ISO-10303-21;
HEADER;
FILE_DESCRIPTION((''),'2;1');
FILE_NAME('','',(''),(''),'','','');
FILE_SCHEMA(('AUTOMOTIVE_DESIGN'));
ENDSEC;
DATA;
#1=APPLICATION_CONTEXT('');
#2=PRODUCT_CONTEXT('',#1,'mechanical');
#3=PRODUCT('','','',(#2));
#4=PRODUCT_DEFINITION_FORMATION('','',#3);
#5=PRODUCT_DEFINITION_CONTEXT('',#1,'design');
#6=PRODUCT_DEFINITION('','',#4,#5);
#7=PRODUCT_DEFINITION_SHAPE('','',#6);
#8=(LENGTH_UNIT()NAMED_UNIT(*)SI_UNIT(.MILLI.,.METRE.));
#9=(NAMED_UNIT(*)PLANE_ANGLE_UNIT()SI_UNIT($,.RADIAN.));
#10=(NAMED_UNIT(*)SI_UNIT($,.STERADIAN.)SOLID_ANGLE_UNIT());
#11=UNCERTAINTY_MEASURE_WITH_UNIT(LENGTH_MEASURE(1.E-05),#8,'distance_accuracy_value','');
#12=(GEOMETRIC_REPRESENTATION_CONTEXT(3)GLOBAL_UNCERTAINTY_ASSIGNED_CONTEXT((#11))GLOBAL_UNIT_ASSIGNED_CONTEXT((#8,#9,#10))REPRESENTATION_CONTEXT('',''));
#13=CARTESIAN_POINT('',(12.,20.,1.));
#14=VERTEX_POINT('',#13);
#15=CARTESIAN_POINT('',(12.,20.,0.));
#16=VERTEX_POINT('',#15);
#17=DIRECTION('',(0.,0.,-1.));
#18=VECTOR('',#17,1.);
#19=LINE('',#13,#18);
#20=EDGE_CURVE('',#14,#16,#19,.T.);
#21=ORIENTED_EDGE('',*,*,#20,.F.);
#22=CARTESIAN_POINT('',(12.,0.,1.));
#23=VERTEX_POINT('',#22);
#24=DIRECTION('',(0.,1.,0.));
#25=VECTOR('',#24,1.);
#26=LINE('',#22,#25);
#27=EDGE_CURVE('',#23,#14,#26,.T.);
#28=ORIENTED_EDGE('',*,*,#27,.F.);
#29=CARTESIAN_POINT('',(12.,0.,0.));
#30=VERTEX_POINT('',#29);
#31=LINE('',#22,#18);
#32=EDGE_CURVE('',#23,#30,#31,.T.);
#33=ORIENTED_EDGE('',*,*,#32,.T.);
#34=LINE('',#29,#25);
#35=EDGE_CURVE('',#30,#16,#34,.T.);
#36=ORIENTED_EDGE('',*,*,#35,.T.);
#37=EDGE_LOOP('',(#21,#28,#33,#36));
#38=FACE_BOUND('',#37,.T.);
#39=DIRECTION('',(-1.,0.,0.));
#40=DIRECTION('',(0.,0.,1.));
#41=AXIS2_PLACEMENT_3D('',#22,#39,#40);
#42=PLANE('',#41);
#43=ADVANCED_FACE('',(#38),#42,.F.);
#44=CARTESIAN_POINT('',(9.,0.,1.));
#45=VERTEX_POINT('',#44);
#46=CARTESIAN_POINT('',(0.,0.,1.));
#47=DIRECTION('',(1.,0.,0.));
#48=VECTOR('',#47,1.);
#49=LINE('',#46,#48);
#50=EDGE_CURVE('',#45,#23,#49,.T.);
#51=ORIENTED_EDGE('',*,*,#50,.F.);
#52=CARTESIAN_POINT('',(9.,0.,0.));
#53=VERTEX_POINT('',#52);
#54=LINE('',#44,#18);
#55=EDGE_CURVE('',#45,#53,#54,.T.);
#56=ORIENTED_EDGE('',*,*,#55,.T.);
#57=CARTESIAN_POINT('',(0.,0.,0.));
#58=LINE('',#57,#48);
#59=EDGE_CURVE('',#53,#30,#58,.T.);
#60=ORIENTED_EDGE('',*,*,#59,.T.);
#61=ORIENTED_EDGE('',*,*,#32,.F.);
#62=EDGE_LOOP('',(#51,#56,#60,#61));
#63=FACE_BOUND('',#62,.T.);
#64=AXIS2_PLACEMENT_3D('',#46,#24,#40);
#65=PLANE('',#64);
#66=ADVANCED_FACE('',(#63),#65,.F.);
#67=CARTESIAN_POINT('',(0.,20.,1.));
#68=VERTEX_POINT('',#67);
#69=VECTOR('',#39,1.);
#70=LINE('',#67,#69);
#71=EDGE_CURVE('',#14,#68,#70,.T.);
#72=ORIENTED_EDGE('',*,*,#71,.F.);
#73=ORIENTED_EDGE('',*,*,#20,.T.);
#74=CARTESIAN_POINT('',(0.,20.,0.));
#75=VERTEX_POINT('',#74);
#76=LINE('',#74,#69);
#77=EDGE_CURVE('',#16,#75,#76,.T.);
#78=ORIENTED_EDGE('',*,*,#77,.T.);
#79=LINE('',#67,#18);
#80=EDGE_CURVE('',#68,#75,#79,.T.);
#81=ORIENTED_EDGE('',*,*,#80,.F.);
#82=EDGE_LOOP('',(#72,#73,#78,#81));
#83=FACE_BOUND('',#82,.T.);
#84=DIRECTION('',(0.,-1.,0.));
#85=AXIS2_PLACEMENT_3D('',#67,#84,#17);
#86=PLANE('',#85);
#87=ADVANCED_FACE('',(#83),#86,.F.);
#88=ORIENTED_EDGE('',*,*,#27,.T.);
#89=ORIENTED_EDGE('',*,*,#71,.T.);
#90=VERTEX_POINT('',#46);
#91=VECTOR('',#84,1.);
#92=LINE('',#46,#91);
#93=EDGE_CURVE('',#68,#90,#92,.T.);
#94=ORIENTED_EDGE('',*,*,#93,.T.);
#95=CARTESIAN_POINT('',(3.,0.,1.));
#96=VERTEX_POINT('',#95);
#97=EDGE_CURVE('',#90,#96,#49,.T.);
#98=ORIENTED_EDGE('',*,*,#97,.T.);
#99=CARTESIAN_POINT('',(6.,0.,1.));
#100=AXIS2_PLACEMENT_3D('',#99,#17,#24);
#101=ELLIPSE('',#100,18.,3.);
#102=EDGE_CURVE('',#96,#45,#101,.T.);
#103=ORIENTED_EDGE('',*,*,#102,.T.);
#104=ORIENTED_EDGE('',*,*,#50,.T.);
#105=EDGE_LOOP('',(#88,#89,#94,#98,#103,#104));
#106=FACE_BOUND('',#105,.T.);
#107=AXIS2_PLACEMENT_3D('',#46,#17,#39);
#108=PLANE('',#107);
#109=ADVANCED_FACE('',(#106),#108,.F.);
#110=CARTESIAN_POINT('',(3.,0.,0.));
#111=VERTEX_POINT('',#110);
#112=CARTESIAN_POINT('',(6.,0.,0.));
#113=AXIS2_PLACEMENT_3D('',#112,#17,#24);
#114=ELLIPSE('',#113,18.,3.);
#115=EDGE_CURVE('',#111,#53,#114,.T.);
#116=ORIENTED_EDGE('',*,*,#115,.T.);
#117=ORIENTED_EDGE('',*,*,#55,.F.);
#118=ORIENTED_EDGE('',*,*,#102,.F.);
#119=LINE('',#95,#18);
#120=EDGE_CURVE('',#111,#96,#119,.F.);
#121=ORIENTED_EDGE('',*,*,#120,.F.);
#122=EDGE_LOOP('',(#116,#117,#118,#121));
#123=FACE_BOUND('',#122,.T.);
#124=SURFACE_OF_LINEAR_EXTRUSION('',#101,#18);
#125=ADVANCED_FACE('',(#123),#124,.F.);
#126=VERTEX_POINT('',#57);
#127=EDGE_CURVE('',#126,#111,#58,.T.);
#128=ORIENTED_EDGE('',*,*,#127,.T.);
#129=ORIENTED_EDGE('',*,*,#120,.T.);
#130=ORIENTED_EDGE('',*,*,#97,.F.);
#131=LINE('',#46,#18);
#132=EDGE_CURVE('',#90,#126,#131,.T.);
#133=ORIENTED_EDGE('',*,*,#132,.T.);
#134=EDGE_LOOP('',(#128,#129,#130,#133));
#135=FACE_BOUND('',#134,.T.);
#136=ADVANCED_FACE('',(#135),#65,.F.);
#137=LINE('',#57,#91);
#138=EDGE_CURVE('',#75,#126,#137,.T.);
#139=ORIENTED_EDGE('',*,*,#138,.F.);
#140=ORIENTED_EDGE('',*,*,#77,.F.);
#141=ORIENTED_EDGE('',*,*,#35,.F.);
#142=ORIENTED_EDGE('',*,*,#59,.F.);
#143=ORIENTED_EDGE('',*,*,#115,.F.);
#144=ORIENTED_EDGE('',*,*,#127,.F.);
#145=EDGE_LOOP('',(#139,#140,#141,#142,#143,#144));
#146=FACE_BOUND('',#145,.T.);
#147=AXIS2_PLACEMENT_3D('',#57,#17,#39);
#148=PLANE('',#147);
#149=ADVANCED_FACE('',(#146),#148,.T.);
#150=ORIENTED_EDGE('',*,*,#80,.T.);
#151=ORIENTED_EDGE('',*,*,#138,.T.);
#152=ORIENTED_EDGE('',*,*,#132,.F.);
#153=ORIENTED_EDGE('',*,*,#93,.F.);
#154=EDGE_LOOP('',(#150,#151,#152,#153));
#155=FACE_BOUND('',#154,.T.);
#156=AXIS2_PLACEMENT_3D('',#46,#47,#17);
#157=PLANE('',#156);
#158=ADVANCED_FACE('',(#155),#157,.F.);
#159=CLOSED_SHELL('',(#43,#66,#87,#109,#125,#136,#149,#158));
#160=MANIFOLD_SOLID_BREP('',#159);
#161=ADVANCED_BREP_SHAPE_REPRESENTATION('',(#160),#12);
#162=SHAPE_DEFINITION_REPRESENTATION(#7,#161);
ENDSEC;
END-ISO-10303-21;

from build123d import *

# Parameters (mm, degrees)
SKIZZE1_W                       = 12
SKIZZE1_H                       = 20
AUFSATZ_LINEAR_AUSTRAGEN1_DEPTH = 1
SKIZZE2_RX                      = 18
SKIZZE2_RY                      = 3
SCHNITT_LINEAR_AUSTRAGEN1_DEPTH = 24.34523506


with BuildPart() as part:
    # Skizze1 → Aufsatz-Linear austragen1 (new body)
    with BuildSketch(Plane.XY):
        with Locations((6, 10)):
            Rectangle(SKIZZE1_W, SKIZZE1_H)
    extrude(amount=AUFSATZ_LINEAR_AUSTRAGEN1_DEPTH)

    # Skizze2 → Schnitt-Linear austragen1 (cut, through all)
    with BuildSketch(Plane(origin=(0, 0, 0), x_dir=(-1, 0, 0), z_dir=(0, 0, -1))):
        with Locations(Location((-6, 0), (0, 0, 90))):
            Ellipse(SKIZZE2_RX, SKIZZE2_RY)
    extrude(amount=-SCHNITT_LINEAR_AUSTRAGEN1_DEPTH, mode=Mode.SUBTRACT)


solid = part.part
